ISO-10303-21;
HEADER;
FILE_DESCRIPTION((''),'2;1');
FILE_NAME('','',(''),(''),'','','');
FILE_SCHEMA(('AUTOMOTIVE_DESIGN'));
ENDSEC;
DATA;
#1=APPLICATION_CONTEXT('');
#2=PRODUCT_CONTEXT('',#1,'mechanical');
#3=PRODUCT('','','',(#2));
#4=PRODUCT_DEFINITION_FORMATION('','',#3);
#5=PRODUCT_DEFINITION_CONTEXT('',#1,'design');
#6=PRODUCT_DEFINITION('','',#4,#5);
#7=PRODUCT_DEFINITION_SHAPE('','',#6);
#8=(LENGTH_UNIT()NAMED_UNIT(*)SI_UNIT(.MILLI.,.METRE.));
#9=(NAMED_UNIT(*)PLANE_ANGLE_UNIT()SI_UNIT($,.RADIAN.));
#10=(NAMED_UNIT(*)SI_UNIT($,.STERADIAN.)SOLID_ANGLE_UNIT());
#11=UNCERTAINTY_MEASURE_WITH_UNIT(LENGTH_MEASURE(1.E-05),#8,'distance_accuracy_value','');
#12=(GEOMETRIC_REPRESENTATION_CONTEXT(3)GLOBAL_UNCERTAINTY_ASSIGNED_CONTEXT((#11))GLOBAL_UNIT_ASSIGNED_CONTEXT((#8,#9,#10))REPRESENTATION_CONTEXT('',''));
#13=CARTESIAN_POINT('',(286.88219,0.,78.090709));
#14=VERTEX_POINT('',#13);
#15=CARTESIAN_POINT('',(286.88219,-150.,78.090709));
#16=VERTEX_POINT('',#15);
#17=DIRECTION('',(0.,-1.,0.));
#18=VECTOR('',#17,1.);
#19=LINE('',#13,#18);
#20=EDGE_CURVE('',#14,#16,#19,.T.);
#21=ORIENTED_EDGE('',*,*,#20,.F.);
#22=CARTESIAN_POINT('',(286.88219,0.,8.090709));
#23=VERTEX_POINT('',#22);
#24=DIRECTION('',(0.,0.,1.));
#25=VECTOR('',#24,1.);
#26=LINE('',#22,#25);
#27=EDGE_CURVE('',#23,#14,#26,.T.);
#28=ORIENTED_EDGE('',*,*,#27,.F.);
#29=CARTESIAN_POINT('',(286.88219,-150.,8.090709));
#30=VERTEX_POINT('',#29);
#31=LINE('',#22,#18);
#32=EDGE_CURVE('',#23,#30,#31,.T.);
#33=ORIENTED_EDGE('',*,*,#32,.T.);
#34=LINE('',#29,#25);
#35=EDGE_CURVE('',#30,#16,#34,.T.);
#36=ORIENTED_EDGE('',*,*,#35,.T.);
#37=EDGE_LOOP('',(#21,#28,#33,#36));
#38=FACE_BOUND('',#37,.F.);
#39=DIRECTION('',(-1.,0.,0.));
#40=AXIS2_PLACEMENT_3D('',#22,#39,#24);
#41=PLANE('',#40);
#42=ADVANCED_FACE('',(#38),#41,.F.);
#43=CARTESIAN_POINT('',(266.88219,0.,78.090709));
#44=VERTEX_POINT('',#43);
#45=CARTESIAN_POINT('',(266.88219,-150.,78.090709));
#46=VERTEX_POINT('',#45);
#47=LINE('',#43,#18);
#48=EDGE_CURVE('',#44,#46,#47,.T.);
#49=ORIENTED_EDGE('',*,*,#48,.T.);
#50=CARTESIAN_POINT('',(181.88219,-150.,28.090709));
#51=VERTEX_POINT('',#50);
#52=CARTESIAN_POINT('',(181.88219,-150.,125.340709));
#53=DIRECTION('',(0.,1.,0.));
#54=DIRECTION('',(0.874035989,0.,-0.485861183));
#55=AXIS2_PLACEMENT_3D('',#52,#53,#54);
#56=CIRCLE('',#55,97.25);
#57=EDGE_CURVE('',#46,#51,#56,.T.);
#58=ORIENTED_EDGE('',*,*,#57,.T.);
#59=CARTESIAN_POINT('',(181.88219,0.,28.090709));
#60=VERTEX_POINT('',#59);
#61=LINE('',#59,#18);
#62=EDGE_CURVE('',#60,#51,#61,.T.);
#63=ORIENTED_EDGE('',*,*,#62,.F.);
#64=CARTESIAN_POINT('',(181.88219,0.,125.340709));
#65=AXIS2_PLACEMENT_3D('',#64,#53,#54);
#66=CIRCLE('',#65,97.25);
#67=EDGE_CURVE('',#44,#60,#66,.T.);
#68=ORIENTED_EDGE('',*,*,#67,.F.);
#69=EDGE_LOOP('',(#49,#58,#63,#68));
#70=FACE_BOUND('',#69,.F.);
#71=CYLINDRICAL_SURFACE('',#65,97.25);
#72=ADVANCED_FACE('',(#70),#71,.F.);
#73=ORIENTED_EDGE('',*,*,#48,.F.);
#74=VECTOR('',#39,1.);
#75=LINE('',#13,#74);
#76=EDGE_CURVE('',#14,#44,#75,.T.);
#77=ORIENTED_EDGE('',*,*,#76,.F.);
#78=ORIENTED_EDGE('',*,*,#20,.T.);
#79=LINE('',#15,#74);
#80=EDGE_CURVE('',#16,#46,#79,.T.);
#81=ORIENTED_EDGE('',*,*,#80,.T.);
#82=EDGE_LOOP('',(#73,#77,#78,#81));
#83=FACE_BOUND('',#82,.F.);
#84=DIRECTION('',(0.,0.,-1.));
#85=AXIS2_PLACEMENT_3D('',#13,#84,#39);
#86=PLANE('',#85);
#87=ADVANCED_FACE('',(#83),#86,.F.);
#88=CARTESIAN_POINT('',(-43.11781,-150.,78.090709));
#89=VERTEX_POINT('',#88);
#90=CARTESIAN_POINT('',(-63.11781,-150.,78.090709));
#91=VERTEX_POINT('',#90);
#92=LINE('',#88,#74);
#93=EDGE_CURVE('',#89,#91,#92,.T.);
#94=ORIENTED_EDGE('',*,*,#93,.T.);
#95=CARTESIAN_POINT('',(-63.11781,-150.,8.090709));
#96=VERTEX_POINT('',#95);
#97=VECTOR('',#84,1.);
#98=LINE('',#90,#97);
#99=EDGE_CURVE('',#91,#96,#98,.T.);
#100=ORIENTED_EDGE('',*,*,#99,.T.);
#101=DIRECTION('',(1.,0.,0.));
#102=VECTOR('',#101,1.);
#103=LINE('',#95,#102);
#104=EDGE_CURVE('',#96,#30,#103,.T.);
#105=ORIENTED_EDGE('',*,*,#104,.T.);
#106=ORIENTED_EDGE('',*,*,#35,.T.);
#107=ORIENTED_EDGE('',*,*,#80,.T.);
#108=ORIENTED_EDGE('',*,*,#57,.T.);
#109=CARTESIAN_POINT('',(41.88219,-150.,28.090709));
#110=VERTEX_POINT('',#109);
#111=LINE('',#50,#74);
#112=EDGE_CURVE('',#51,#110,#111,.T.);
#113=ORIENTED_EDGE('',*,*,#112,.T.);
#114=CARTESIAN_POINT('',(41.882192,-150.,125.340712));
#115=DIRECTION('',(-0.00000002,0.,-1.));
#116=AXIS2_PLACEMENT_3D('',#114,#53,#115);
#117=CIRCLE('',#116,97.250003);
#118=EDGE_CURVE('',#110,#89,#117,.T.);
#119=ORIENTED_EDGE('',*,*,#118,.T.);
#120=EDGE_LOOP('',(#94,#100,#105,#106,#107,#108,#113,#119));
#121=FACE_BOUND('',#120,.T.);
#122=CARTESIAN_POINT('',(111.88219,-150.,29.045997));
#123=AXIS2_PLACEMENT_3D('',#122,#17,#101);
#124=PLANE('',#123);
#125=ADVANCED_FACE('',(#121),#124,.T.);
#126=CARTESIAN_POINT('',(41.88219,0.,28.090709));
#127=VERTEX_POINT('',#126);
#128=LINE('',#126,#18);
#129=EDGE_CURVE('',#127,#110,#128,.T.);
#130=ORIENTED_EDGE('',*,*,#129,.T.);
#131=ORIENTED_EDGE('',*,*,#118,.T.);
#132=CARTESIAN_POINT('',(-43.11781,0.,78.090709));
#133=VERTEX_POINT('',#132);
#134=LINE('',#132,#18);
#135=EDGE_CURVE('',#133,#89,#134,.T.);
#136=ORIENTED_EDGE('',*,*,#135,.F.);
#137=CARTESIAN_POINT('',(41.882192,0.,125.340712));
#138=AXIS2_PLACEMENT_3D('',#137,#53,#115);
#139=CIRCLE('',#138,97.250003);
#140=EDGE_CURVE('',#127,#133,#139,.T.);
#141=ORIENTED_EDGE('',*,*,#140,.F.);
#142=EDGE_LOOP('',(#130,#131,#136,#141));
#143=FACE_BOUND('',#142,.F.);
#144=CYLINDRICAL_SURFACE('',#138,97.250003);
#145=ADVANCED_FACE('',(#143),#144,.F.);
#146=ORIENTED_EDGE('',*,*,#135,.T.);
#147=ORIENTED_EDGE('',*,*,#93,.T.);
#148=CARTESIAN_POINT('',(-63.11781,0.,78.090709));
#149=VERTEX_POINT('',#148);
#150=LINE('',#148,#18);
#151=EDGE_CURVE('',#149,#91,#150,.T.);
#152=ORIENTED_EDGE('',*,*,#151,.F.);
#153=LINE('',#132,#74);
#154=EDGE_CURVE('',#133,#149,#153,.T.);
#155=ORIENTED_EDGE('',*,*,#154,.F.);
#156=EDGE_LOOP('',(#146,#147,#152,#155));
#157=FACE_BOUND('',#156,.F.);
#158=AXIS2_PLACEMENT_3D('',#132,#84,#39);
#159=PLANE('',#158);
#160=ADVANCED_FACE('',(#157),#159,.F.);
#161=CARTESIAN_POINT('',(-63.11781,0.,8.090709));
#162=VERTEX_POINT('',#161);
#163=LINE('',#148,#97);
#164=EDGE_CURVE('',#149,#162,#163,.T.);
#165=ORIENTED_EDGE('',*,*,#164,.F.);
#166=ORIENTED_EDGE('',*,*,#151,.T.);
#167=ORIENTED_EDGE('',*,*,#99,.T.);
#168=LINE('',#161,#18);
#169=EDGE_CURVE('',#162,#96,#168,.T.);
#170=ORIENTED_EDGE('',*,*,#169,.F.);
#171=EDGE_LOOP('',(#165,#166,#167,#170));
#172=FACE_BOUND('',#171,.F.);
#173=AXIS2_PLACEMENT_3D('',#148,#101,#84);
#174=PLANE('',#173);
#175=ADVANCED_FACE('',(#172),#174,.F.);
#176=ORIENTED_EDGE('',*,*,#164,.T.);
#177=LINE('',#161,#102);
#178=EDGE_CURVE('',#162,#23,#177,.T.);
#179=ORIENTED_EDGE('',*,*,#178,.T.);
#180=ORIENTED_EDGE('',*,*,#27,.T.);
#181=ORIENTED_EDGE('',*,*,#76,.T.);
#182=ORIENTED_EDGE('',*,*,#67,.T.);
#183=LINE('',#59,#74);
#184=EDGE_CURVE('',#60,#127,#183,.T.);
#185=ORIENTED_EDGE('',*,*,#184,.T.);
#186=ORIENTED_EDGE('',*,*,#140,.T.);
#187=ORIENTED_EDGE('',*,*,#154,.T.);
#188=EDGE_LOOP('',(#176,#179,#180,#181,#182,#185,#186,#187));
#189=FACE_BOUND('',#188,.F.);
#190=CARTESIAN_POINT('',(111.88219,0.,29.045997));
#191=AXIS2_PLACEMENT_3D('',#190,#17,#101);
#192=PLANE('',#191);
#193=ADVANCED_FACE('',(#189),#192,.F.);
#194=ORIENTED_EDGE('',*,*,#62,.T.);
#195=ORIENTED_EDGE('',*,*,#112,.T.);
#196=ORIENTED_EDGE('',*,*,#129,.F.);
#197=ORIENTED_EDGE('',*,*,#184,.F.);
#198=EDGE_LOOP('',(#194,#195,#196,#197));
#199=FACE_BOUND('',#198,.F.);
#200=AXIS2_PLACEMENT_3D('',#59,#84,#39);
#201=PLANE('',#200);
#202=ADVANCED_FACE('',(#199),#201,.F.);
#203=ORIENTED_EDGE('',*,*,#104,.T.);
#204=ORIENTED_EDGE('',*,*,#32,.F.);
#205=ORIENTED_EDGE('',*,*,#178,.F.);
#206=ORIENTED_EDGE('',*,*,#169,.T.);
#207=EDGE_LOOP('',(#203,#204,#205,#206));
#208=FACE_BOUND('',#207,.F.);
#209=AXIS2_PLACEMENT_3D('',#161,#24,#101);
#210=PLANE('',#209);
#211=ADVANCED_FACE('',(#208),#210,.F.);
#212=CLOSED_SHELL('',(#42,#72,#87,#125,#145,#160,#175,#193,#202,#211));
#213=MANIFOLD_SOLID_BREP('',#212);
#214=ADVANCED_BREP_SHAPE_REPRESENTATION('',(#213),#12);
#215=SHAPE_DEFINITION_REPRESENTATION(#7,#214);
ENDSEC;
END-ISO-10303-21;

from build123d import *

# Parameters (mm, degrees)
F1_DEPTH = 150


with BuildPart() as f1:
    # F0 (on Front) → F1 (new body)
    with BuildSketch(Plane.XZ):
        with BuildLine():
            Line((-43.11781, 78.090709), (-63.11781, 78.090709))
            Line((-63.11781, 78.090709), (-63.11781, 8.090709))
            Line((-63.11781, 8.090709), (286.88219, 8.090709))
            Line((286.88219, 8.090709), (286.88219, 78.090709))
            Line((286.88219, 78.090709), (266.88219, 78.090709))
            ThreePointArc((266.88219, 78.090709), (231.189898, 41.517607), (181.88219, 28.090709))
            Line((181.88219, 28.090709), (111.88219, 28.090709))
            Line((111.88219, 28.090709), (41.88219, 28.090709))
            ThreePointArc((41.88219, 28.090709), (-7.425517, 41.517607), (-43.11781, 78.090709))
        make_face()
    extrude(amount=F1_DEPTH)


solid = f1.part
